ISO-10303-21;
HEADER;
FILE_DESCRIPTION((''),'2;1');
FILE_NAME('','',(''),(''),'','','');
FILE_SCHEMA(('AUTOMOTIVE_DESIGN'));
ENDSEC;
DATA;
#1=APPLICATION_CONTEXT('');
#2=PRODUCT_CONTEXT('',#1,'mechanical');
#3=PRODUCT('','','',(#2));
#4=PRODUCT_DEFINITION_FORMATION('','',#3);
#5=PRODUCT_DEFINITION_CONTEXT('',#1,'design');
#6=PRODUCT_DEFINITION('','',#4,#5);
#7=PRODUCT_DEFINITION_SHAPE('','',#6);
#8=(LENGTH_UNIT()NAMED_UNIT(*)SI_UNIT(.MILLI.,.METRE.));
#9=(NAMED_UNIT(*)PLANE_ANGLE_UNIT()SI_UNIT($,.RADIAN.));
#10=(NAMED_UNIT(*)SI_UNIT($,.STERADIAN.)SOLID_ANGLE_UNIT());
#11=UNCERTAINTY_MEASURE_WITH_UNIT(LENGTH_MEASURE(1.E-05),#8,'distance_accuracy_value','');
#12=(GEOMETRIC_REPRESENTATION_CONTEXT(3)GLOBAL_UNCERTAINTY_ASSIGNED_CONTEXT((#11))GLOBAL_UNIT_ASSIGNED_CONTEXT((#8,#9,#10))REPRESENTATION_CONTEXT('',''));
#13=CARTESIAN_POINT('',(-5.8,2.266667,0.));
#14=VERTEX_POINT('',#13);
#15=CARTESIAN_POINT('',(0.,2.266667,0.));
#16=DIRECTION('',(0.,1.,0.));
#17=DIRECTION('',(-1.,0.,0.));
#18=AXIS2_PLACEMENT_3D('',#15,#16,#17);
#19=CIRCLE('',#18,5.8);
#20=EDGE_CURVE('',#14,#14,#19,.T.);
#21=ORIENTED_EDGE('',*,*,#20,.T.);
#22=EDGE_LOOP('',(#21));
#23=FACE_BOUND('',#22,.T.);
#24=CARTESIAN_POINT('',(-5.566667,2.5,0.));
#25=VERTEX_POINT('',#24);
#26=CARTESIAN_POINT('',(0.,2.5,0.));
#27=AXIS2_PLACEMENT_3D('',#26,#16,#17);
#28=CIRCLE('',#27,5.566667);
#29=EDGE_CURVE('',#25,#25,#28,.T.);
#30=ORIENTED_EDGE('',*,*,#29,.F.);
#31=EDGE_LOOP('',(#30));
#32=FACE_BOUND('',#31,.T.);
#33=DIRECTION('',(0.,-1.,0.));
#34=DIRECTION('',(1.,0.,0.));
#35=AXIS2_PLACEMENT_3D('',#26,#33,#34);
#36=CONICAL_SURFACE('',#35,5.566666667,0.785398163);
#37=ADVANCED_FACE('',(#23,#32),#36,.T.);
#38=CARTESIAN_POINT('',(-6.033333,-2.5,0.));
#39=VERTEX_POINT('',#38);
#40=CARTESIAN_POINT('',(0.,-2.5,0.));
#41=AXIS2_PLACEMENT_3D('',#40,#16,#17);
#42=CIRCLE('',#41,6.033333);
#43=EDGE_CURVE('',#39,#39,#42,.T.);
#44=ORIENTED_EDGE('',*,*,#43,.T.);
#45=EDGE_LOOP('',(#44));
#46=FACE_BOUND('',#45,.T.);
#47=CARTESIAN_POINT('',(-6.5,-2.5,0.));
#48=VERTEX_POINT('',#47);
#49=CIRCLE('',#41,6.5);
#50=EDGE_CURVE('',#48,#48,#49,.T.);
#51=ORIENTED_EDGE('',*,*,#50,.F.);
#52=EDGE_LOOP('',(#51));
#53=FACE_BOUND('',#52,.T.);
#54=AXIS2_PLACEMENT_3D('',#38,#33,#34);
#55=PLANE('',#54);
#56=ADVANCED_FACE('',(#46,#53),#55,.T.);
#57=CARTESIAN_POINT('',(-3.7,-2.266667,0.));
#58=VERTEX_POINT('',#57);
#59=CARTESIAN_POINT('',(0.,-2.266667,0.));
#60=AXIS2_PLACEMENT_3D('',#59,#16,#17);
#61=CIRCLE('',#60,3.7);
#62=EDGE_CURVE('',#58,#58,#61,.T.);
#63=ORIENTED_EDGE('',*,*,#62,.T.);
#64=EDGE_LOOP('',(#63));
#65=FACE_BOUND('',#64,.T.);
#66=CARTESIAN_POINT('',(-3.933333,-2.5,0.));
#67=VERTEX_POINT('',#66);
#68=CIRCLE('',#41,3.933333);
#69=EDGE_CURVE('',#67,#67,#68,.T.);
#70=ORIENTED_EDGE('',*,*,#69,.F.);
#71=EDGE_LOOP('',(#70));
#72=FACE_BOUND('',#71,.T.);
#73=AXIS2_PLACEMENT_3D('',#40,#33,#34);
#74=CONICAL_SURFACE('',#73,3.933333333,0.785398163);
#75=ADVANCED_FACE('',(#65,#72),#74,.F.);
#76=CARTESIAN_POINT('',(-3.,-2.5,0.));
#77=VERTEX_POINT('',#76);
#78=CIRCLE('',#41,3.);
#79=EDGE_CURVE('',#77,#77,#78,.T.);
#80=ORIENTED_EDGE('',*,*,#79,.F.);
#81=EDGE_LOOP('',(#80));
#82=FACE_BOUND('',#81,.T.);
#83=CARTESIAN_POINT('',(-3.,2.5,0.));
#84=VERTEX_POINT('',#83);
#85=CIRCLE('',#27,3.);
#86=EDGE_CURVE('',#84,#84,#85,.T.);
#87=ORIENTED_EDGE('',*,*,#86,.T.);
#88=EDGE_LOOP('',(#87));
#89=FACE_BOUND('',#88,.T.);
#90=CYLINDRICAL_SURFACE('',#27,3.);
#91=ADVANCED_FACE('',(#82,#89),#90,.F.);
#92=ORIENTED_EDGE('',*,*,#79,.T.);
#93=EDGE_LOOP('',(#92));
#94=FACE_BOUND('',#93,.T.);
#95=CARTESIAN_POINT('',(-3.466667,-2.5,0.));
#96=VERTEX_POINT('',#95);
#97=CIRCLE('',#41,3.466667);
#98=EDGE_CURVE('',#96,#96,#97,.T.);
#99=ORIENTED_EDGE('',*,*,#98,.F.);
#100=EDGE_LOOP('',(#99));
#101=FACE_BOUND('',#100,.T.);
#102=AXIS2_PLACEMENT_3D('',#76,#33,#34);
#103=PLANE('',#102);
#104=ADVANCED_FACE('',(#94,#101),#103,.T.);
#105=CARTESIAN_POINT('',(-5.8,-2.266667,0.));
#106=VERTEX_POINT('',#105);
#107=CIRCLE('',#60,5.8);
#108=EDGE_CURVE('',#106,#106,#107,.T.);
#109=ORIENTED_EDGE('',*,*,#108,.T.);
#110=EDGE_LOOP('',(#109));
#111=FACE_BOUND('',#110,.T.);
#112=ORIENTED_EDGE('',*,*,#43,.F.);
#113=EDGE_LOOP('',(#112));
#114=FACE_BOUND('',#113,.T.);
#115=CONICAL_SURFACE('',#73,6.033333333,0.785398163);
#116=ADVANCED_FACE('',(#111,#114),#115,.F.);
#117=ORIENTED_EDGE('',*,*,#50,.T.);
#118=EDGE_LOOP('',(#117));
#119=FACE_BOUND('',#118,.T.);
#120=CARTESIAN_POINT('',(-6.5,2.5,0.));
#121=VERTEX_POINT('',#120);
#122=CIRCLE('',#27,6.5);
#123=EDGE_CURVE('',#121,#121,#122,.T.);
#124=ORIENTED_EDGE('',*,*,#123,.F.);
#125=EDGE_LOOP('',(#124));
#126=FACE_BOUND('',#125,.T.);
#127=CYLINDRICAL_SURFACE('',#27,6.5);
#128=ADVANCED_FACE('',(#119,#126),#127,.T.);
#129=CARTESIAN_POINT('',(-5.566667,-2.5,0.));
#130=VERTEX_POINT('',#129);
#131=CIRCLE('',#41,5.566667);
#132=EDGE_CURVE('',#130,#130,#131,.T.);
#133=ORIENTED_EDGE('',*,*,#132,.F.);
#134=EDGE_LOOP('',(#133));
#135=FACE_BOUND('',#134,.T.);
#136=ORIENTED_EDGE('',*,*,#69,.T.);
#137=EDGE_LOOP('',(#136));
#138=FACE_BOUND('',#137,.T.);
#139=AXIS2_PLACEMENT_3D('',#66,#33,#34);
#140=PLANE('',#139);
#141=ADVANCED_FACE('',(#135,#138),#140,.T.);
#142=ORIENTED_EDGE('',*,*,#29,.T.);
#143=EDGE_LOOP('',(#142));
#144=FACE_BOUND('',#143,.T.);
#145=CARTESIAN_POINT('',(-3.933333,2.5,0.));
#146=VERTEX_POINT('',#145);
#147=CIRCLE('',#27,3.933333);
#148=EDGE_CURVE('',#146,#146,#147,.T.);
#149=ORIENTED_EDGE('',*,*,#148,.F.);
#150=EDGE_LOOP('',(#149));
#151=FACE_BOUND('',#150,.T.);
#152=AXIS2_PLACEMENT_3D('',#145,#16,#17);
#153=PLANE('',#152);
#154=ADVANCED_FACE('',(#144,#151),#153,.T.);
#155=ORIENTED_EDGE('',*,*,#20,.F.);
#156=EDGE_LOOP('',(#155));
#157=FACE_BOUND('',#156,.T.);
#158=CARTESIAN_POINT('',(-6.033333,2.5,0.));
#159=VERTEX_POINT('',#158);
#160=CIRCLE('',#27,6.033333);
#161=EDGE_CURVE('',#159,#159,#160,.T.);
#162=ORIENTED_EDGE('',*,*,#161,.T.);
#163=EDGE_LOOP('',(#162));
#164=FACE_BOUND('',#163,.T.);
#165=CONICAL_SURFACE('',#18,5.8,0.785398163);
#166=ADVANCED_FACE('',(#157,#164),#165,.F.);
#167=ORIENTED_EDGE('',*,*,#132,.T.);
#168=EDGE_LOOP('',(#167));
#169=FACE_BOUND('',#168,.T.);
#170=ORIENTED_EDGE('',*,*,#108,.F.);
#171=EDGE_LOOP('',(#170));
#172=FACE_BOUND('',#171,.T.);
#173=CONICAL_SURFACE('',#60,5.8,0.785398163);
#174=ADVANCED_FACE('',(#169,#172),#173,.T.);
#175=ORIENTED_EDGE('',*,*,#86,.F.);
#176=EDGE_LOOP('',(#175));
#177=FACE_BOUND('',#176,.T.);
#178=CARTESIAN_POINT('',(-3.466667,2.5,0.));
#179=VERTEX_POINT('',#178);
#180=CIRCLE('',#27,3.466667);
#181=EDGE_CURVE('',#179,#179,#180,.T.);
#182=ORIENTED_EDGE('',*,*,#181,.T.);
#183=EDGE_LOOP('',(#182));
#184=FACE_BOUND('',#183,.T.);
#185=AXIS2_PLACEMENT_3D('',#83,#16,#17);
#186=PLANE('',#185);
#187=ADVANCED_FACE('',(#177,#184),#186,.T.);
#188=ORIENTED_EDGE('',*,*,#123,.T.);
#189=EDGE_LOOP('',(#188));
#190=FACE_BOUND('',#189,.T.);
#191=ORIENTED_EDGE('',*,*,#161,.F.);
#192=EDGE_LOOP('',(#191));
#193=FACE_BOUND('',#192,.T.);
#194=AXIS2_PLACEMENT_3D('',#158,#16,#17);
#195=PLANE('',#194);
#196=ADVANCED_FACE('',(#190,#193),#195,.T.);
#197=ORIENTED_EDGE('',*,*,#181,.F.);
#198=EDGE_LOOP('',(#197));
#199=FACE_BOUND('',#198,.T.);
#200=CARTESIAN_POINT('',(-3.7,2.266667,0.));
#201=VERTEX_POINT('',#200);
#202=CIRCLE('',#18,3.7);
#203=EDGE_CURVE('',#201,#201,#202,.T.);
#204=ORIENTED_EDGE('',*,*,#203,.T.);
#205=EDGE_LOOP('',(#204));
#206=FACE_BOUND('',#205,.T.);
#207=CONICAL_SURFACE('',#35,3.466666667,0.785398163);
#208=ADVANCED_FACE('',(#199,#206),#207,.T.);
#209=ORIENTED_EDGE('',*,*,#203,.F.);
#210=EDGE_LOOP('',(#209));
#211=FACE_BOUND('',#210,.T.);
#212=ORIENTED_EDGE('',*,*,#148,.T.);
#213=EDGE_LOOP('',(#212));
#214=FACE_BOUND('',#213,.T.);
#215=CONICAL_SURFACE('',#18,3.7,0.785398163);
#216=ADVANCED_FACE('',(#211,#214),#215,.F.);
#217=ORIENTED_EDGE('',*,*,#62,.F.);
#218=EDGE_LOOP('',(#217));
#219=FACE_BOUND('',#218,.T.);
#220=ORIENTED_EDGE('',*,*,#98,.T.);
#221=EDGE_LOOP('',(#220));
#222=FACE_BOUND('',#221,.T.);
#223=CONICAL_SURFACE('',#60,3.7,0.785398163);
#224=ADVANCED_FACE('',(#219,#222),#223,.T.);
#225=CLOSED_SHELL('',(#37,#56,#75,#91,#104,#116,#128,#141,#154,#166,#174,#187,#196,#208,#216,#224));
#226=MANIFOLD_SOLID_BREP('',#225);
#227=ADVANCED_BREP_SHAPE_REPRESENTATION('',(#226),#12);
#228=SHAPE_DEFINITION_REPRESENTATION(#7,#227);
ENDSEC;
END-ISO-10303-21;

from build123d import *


with BuildPart() as part:
    # Sketch1 → Revolve1 (revolve)
    with BuildSketch(Plane.XY):
        Polygon((-3, 2.5), (-3.466666667, 2.5), (-3.7, 2.266666667), (-3.933333333, 2.5), (-5.566666667, 2.5), (-5.8, 2.266666667), (-6.033333333, 2.5), (-6.5, 2.5), (-6.5, -2.5), (-6.033333333, -2.5), (-5.8, -2.266666667), (-5.566666667, -2.5), (-3.933333333, -2.5), (-3.7, -2.266666667), (-3.466666667, -2.5), (-3, -2.5), align=None)
    revolve(axis=Axis((0, 2.5, 0), (0, -1, 0)))


solid = part.part
